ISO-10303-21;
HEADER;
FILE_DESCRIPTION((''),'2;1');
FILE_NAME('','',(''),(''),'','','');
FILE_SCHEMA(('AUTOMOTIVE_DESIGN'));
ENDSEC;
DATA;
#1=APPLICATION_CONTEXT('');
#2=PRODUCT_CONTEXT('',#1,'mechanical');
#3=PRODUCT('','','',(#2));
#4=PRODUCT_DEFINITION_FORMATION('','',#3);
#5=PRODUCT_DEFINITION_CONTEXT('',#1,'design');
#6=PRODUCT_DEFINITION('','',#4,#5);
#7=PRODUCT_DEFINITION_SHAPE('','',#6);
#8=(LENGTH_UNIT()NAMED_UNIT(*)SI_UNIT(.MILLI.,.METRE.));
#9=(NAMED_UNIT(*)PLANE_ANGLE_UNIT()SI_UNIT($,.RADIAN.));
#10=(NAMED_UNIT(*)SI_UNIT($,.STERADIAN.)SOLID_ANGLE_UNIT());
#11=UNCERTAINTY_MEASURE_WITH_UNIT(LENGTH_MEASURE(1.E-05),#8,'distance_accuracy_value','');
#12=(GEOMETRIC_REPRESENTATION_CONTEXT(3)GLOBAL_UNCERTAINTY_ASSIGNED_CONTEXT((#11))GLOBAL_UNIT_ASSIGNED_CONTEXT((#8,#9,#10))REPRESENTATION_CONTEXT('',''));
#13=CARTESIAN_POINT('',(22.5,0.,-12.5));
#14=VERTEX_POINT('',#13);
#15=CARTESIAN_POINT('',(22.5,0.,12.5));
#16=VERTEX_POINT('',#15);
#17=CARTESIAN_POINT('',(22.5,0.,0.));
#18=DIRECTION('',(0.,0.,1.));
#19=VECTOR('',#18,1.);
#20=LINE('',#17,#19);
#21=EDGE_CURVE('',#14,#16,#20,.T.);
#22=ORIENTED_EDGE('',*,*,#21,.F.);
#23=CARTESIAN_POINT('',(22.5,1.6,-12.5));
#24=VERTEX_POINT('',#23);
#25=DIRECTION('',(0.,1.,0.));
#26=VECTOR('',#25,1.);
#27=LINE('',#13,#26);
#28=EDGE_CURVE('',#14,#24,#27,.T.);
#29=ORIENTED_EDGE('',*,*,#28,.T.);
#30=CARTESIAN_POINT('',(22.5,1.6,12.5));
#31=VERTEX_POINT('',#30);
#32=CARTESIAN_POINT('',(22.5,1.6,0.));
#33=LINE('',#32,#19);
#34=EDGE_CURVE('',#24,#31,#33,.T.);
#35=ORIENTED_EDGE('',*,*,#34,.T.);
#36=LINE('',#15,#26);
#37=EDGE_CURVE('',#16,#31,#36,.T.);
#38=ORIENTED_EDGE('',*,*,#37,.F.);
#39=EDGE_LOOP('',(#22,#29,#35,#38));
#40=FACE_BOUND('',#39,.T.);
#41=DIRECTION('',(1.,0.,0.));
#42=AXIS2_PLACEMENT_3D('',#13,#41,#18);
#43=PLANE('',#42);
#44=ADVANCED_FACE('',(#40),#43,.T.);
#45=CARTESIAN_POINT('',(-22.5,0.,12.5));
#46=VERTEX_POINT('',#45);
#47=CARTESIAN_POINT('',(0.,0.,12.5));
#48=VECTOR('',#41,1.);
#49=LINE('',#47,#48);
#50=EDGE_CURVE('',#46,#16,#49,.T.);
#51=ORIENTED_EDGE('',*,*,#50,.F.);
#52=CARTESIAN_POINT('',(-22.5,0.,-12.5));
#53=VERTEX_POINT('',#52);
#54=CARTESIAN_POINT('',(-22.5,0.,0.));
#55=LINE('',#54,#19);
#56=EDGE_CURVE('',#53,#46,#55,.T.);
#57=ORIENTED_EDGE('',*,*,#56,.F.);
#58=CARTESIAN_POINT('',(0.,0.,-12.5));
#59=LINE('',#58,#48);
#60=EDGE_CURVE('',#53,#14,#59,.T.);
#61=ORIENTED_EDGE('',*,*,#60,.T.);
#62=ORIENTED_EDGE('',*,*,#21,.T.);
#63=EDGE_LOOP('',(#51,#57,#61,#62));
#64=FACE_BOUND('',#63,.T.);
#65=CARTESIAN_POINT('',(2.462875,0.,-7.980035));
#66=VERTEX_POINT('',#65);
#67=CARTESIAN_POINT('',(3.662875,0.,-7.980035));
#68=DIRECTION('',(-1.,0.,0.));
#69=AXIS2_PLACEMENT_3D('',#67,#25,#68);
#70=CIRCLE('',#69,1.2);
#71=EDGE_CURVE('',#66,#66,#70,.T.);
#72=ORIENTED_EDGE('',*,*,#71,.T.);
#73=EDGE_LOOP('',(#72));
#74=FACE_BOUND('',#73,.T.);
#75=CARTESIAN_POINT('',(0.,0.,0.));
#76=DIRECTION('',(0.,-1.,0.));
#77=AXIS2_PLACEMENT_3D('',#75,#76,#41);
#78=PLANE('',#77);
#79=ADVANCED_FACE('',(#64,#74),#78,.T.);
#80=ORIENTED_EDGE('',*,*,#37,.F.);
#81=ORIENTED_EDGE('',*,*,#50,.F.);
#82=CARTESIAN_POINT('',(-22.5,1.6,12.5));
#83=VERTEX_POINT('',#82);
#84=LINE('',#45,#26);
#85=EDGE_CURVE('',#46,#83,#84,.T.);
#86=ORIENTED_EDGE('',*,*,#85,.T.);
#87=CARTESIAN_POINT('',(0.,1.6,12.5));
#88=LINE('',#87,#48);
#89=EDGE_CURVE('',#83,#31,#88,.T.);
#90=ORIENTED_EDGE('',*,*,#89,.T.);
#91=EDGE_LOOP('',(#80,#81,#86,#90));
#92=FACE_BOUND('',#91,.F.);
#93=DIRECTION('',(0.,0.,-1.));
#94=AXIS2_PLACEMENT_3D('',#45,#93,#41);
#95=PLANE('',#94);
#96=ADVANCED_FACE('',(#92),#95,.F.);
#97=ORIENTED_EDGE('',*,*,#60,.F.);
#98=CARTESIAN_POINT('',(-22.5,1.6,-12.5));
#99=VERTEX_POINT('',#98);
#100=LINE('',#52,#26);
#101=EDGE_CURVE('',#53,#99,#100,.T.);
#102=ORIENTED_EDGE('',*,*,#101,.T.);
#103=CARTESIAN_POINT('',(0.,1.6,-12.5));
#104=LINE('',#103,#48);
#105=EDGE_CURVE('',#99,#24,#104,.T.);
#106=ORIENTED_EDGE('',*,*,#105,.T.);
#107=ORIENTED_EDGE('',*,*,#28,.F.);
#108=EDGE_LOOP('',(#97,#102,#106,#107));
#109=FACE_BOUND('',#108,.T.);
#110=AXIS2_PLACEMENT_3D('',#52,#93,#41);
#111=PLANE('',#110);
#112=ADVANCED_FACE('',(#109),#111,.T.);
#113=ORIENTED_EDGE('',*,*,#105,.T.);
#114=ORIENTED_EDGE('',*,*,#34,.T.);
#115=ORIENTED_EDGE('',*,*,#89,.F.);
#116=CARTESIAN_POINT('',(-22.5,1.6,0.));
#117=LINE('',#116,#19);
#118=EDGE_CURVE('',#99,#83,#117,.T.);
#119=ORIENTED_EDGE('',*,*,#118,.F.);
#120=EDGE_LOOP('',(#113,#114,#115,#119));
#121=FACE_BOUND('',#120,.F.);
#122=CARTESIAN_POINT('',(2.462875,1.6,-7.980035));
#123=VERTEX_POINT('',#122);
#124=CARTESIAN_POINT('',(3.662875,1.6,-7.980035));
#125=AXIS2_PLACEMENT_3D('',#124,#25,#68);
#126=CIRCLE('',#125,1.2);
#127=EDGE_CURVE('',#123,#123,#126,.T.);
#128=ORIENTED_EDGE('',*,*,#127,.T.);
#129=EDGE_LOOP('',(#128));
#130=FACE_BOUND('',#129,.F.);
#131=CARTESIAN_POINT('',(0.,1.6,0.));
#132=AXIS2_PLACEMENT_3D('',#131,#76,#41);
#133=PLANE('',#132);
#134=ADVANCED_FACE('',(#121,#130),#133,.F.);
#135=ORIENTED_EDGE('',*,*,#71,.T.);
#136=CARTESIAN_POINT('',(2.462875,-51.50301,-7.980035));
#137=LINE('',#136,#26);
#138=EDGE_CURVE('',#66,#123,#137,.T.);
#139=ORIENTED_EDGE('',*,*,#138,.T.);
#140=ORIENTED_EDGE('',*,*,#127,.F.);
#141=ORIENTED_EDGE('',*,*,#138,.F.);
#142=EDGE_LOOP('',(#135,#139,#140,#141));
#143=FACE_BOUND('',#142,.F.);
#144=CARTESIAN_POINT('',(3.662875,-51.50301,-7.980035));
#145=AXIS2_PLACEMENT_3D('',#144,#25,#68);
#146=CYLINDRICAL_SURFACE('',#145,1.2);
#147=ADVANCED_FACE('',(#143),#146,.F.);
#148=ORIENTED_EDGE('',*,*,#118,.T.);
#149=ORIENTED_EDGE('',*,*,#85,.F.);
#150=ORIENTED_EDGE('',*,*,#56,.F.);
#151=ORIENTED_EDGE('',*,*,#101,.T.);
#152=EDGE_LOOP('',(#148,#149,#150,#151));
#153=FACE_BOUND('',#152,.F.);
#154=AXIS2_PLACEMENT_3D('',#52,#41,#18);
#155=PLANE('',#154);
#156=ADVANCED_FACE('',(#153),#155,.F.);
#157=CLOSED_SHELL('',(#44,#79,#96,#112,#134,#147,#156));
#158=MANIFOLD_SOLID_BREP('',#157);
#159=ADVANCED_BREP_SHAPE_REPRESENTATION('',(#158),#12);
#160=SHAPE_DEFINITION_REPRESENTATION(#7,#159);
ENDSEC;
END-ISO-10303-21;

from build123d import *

# Parameters (mm, degrees)
F0_W     = 45
F0_H     = 25
F1_DEPTH = 1.6
F4_D     = 2.4


with BuildPart() as f1:
    # F0 (on Front) → F1 (new body)
    with BuildSketch(Plane.XZ):
        Rectangle(F0_W, F0_H)
    extrude(amount=-F1_DEPTH)

    # F4 (through all)
    with Locations(Plane.XZ):
        with Locations((3.6628746893, -7.9800346866)):
            Hole(F4_D / 2)


solid = f1.part
